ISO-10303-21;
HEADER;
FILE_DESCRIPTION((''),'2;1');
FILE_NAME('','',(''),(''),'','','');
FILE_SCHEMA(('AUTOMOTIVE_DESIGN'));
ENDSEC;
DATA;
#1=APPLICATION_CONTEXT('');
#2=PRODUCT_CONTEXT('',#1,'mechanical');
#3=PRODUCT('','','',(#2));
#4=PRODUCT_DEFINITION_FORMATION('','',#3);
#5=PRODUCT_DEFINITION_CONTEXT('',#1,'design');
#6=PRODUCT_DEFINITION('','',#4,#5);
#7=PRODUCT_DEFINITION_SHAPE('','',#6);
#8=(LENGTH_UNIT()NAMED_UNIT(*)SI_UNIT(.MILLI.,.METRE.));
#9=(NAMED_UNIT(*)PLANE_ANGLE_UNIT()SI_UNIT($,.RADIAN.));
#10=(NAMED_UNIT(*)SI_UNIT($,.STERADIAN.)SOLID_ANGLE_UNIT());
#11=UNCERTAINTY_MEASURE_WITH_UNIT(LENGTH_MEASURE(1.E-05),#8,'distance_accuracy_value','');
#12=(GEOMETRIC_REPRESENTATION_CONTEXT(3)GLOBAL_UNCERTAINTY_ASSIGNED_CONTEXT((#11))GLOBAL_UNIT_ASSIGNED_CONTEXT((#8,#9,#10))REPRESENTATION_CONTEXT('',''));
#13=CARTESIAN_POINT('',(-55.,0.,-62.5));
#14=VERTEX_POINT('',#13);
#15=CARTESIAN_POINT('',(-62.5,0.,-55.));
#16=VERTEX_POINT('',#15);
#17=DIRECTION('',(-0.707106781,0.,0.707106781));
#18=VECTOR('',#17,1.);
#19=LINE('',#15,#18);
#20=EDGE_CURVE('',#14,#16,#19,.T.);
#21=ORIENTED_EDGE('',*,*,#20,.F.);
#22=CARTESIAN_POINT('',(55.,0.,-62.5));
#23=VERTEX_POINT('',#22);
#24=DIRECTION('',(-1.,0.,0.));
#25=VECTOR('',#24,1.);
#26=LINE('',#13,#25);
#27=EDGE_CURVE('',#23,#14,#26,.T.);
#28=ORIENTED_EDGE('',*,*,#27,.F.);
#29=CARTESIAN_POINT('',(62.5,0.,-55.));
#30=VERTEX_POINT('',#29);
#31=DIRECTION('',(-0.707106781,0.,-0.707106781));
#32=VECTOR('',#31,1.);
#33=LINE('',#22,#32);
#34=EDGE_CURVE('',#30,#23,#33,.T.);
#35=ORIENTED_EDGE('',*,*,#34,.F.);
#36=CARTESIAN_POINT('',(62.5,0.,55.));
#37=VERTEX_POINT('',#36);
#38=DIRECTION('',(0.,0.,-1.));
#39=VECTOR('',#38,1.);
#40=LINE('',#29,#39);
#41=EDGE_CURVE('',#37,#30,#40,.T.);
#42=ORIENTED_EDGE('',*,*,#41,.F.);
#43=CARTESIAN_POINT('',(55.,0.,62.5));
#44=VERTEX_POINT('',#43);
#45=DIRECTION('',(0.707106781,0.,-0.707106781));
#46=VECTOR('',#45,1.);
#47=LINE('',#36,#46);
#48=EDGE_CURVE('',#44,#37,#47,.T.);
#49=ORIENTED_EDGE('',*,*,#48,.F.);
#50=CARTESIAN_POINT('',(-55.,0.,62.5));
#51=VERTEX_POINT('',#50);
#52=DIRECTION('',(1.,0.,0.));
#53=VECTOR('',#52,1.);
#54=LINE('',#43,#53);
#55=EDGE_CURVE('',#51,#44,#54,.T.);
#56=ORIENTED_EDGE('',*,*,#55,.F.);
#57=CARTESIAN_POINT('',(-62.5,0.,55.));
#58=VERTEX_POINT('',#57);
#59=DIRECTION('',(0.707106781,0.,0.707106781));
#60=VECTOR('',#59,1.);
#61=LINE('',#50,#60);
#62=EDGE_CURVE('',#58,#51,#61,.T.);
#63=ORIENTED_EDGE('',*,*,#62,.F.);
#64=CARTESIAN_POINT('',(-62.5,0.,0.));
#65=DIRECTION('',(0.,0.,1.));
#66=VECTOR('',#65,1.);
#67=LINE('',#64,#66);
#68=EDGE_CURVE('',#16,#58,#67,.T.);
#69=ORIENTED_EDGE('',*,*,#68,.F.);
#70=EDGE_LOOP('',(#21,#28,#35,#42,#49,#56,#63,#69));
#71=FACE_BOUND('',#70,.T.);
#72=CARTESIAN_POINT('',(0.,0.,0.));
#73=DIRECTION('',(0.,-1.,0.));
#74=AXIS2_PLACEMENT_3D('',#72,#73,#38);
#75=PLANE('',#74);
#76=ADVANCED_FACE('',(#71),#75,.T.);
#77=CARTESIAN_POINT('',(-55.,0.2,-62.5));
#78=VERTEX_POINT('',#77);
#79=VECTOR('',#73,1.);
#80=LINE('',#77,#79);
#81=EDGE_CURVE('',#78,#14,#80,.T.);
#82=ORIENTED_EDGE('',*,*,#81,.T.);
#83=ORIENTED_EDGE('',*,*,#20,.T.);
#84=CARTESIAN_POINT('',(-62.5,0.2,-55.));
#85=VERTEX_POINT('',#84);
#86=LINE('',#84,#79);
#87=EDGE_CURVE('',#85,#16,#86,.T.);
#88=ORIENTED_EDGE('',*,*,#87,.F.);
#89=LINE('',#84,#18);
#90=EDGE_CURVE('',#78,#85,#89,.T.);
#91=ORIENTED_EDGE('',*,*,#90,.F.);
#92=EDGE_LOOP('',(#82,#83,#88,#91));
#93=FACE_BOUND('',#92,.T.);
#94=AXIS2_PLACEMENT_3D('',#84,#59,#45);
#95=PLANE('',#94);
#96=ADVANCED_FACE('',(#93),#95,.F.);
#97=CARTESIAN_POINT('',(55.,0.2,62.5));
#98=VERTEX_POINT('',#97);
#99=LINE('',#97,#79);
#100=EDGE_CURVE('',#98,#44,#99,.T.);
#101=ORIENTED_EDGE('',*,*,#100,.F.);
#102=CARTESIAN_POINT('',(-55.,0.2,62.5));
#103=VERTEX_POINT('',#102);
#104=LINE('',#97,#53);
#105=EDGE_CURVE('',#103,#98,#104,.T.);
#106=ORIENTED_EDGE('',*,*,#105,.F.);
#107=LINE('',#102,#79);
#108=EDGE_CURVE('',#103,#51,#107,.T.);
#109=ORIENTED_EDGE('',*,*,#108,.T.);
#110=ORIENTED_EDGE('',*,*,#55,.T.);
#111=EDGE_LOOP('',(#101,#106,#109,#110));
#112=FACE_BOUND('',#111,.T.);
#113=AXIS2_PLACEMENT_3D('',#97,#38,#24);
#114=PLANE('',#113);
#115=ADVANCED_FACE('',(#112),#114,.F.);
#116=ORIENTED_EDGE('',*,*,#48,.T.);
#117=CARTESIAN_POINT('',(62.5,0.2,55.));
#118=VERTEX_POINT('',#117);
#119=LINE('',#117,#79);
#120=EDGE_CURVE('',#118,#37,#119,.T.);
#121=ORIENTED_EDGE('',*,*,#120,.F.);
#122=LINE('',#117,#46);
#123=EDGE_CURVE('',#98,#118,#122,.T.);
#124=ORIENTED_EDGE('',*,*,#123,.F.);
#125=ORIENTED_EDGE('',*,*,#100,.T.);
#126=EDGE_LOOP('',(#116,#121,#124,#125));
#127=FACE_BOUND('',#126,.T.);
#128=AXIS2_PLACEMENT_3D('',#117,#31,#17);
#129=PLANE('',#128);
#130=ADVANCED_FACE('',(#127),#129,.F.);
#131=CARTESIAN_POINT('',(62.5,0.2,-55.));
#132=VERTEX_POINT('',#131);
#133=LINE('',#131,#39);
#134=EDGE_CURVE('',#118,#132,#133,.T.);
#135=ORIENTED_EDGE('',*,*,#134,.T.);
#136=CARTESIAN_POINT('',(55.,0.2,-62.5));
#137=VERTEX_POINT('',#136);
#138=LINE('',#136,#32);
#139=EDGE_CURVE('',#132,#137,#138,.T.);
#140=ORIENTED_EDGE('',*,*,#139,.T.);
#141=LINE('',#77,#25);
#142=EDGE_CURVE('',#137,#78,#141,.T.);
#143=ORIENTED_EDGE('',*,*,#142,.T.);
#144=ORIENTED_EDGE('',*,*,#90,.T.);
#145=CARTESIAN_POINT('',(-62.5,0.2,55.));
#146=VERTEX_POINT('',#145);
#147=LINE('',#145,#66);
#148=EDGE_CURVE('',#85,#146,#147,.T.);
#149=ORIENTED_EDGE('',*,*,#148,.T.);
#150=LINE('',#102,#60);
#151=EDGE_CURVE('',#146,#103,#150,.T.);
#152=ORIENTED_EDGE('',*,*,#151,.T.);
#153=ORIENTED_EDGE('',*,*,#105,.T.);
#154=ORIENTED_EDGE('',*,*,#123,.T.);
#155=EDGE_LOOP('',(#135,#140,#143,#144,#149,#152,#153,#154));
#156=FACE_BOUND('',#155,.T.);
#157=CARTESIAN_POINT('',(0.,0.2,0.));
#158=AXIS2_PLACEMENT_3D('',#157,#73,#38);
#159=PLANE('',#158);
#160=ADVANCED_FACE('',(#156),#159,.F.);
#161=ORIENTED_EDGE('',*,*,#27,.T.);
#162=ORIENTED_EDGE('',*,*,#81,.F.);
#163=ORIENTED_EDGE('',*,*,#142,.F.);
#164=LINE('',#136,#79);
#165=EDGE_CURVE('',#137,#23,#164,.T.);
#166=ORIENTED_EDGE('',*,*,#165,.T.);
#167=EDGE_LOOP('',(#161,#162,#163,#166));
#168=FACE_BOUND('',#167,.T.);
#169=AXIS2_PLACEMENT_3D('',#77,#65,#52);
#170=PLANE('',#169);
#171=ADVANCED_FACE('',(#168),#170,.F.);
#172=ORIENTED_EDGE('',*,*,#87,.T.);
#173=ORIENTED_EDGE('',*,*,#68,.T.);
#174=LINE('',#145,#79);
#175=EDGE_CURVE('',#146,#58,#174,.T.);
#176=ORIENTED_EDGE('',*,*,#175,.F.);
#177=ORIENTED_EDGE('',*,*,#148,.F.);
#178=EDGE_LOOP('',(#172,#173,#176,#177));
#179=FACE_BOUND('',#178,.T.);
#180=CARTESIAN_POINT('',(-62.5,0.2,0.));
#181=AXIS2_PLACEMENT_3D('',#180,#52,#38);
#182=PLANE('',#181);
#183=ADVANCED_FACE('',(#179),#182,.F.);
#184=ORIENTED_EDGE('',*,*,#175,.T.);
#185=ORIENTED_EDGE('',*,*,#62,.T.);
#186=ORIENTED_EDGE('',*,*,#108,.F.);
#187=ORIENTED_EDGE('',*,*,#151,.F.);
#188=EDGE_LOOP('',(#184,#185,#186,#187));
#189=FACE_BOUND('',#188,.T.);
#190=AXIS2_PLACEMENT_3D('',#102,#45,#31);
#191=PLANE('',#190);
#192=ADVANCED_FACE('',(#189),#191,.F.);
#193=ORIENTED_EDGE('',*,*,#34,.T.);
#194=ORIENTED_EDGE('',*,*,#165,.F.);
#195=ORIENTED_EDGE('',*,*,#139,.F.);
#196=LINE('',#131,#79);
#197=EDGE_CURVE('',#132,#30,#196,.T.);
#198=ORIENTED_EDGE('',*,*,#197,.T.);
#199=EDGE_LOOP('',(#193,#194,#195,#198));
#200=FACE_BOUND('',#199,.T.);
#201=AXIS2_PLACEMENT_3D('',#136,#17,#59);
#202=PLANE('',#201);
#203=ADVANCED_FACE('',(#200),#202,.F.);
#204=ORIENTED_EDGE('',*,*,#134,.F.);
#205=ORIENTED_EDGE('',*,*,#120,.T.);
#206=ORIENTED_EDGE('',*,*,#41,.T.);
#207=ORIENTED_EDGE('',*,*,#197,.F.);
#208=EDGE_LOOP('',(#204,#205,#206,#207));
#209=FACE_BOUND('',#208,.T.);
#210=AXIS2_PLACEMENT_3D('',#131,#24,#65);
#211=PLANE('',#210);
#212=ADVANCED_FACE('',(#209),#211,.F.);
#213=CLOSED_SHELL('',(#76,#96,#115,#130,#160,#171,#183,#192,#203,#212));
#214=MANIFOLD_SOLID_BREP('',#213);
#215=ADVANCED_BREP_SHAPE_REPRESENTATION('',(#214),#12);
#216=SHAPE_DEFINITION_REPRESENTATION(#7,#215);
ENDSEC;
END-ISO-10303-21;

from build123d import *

# Parameters (mm, degrees)
SALIENTE_EXTRUIR1_DEPTH = 0.2


with BuildPart() as part:
    # Croquis2 → Saliente-Extruir1 (new body)
    with BuildSketch(Plane(origin=(0, 0, 0), x_dir=(1, 0, 0), z_dir=(0, 1, 0))):
        Polygon((-62.5, 0), (-62.5, 55), (-55, 62.5), (55, 62.5), (62.5, 55), (62.5, -55), (55, -62.5), (-55, -62.5), (-62.5, -55), align=None)
    extrude(amount=SALIENTE_EXTRUIR1_DEPTH)


solid = part.part
